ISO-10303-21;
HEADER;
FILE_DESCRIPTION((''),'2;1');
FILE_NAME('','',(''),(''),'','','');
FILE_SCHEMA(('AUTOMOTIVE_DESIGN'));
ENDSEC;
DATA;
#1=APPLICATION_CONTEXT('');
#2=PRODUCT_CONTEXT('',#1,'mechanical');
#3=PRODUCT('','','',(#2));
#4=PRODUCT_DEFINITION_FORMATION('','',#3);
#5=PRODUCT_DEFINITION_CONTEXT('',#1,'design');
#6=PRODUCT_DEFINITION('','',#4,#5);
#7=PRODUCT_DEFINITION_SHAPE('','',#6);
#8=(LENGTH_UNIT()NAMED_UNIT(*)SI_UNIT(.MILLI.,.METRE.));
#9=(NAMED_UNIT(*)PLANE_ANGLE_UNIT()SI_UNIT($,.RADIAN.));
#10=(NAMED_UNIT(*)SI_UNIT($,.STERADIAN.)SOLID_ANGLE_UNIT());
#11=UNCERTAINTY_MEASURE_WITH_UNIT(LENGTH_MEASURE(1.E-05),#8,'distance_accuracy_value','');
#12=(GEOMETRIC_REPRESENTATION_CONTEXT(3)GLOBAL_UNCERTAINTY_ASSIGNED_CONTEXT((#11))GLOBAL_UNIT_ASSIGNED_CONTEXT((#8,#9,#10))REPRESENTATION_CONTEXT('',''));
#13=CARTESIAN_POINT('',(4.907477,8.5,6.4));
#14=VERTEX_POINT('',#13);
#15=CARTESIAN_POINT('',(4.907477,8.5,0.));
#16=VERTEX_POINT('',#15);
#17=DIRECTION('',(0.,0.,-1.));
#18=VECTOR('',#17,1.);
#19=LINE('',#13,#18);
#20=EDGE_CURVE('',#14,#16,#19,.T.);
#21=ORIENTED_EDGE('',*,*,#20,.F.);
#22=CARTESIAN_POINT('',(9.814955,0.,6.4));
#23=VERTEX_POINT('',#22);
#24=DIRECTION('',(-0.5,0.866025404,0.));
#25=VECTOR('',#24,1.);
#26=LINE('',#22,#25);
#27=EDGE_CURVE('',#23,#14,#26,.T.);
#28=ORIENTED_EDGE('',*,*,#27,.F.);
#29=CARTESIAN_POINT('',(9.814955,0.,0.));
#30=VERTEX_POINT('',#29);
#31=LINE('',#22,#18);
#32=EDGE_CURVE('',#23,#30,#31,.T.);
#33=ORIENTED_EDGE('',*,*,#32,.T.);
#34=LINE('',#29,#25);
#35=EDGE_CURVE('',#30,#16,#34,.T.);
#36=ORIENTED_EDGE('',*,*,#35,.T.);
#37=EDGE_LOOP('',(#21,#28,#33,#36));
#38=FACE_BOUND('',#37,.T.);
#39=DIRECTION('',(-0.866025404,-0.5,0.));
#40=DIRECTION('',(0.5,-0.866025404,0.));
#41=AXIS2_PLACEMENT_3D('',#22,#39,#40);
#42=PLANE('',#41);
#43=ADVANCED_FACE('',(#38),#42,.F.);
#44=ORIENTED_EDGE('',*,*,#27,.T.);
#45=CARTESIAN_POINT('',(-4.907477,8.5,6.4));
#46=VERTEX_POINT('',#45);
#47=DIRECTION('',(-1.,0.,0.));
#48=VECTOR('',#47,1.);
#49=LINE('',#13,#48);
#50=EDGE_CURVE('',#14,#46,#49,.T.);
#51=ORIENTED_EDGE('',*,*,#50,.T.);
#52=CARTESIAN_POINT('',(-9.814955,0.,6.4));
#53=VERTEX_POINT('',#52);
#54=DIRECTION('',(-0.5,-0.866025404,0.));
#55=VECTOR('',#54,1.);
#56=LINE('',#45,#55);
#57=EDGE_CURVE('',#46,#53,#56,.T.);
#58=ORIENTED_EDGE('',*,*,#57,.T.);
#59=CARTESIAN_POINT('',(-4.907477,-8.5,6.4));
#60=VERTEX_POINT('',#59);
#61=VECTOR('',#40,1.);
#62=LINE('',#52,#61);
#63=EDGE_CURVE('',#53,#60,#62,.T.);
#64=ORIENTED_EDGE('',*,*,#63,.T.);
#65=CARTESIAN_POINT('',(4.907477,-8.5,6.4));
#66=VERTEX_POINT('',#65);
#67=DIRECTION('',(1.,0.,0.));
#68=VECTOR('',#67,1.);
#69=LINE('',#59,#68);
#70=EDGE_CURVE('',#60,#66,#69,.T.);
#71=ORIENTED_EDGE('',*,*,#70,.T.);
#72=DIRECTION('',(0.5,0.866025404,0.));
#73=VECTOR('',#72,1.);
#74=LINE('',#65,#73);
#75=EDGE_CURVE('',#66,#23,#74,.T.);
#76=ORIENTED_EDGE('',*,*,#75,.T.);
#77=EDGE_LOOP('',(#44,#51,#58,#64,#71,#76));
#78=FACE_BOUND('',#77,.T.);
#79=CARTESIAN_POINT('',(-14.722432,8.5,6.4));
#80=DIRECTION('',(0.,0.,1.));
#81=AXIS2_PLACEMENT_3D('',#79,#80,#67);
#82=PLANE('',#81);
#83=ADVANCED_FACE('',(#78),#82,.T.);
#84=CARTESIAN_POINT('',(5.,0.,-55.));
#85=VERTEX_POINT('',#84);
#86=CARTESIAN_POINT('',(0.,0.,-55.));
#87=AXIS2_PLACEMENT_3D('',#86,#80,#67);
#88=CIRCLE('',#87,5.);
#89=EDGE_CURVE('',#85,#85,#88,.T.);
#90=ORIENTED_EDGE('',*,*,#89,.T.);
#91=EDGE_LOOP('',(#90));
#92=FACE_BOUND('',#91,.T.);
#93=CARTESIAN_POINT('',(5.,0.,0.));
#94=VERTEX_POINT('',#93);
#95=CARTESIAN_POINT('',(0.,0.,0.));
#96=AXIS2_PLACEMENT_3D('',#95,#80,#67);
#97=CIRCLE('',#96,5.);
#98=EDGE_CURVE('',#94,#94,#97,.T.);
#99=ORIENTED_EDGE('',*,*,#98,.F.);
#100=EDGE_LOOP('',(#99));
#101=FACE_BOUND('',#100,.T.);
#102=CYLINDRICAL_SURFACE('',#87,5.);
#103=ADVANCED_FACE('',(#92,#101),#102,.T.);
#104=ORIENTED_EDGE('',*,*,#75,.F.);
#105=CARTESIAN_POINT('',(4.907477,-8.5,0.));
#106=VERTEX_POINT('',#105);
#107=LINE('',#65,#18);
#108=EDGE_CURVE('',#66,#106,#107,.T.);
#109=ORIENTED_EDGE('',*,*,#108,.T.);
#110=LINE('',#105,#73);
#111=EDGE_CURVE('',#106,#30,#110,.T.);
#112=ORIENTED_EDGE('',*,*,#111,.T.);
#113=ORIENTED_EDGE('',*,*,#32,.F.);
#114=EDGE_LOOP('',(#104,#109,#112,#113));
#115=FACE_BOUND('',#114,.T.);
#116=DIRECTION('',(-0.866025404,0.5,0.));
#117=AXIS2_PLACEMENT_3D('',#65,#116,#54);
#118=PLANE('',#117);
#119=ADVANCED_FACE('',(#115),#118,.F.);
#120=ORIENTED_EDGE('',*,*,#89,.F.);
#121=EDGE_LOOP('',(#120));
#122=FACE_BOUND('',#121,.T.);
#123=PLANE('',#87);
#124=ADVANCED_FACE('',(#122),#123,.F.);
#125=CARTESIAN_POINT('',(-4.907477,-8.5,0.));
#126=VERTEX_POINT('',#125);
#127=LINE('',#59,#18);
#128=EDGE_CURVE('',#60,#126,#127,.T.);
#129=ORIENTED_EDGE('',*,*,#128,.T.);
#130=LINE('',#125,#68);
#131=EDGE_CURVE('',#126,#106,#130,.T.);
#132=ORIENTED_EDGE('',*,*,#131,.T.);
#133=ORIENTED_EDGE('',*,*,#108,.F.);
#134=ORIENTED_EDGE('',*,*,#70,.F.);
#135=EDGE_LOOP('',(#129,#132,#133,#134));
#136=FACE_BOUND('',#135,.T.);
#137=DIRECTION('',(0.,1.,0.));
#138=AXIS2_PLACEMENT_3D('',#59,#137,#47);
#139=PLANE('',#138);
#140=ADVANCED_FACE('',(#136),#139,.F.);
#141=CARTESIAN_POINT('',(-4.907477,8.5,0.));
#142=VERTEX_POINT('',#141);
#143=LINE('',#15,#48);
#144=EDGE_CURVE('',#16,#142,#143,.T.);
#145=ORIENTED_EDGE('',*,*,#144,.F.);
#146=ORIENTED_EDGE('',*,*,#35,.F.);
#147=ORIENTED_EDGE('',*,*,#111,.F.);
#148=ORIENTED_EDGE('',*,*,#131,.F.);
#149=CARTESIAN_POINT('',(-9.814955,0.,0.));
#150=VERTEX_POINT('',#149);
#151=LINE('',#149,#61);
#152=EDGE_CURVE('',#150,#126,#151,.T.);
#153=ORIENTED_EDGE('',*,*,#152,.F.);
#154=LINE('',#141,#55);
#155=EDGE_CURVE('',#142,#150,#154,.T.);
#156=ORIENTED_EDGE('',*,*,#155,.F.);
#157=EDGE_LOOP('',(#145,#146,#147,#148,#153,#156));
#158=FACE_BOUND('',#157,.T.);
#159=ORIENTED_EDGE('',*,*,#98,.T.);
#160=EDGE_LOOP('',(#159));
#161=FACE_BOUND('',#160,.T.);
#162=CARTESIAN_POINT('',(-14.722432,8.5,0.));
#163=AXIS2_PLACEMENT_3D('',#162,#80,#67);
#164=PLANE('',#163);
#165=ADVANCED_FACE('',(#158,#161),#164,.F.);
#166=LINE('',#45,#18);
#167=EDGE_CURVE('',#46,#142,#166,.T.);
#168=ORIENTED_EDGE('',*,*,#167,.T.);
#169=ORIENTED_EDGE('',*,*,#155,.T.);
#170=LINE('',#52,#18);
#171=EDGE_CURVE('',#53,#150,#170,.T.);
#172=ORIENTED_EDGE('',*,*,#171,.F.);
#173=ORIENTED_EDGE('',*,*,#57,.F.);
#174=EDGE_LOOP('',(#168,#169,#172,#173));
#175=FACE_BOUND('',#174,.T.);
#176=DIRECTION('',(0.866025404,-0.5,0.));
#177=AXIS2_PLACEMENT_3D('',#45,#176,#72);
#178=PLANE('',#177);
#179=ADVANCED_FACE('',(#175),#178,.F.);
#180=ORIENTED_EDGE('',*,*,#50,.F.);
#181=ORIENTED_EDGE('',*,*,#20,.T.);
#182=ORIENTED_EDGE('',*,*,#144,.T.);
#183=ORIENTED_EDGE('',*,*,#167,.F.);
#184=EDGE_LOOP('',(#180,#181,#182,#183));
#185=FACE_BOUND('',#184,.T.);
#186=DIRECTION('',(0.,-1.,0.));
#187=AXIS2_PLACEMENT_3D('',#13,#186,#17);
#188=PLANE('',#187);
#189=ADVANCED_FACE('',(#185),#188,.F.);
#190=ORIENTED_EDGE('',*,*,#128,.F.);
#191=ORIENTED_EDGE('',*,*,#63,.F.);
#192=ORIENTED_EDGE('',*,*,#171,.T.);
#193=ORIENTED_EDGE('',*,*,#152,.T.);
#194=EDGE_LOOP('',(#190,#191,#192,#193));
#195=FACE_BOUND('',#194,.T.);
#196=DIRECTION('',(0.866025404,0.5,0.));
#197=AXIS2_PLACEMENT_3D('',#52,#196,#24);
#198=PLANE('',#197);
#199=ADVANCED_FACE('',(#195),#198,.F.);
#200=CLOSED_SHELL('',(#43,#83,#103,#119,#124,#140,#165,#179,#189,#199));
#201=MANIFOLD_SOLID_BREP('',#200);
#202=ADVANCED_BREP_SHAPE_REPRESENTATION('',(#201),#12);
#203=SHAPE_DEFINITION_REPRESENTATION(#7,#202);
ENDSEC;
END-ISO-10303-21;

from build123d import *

# Parameters (mm, degrees)
SKETCH1_R      = 5
EXTRUDE1_DEPTH = 55
EXTRUDE2_DEPTH = 6.4


with BuildPart() as part:
    # Sketch1 → Extrude1 (new body)
    with BuildSketch(Plane.XY):
        Circle(SKETCH1_R)
    extrude(amount=-EXTRUDE1_DEPTH)

    # Sketch2 → Extrude2 (add)
    with BuildSketch(Plane.XY):
        Polygon((-4.907477288, 8.5), (-9.814954576, 0), (-4.907477288, -8.5), (4.907477288, -8.5), (9.814954576, 0), (4.907477288, 8.5), align=None)
    extrude(amount=EXTRUDE2_DEPTH)


solid = part.part
